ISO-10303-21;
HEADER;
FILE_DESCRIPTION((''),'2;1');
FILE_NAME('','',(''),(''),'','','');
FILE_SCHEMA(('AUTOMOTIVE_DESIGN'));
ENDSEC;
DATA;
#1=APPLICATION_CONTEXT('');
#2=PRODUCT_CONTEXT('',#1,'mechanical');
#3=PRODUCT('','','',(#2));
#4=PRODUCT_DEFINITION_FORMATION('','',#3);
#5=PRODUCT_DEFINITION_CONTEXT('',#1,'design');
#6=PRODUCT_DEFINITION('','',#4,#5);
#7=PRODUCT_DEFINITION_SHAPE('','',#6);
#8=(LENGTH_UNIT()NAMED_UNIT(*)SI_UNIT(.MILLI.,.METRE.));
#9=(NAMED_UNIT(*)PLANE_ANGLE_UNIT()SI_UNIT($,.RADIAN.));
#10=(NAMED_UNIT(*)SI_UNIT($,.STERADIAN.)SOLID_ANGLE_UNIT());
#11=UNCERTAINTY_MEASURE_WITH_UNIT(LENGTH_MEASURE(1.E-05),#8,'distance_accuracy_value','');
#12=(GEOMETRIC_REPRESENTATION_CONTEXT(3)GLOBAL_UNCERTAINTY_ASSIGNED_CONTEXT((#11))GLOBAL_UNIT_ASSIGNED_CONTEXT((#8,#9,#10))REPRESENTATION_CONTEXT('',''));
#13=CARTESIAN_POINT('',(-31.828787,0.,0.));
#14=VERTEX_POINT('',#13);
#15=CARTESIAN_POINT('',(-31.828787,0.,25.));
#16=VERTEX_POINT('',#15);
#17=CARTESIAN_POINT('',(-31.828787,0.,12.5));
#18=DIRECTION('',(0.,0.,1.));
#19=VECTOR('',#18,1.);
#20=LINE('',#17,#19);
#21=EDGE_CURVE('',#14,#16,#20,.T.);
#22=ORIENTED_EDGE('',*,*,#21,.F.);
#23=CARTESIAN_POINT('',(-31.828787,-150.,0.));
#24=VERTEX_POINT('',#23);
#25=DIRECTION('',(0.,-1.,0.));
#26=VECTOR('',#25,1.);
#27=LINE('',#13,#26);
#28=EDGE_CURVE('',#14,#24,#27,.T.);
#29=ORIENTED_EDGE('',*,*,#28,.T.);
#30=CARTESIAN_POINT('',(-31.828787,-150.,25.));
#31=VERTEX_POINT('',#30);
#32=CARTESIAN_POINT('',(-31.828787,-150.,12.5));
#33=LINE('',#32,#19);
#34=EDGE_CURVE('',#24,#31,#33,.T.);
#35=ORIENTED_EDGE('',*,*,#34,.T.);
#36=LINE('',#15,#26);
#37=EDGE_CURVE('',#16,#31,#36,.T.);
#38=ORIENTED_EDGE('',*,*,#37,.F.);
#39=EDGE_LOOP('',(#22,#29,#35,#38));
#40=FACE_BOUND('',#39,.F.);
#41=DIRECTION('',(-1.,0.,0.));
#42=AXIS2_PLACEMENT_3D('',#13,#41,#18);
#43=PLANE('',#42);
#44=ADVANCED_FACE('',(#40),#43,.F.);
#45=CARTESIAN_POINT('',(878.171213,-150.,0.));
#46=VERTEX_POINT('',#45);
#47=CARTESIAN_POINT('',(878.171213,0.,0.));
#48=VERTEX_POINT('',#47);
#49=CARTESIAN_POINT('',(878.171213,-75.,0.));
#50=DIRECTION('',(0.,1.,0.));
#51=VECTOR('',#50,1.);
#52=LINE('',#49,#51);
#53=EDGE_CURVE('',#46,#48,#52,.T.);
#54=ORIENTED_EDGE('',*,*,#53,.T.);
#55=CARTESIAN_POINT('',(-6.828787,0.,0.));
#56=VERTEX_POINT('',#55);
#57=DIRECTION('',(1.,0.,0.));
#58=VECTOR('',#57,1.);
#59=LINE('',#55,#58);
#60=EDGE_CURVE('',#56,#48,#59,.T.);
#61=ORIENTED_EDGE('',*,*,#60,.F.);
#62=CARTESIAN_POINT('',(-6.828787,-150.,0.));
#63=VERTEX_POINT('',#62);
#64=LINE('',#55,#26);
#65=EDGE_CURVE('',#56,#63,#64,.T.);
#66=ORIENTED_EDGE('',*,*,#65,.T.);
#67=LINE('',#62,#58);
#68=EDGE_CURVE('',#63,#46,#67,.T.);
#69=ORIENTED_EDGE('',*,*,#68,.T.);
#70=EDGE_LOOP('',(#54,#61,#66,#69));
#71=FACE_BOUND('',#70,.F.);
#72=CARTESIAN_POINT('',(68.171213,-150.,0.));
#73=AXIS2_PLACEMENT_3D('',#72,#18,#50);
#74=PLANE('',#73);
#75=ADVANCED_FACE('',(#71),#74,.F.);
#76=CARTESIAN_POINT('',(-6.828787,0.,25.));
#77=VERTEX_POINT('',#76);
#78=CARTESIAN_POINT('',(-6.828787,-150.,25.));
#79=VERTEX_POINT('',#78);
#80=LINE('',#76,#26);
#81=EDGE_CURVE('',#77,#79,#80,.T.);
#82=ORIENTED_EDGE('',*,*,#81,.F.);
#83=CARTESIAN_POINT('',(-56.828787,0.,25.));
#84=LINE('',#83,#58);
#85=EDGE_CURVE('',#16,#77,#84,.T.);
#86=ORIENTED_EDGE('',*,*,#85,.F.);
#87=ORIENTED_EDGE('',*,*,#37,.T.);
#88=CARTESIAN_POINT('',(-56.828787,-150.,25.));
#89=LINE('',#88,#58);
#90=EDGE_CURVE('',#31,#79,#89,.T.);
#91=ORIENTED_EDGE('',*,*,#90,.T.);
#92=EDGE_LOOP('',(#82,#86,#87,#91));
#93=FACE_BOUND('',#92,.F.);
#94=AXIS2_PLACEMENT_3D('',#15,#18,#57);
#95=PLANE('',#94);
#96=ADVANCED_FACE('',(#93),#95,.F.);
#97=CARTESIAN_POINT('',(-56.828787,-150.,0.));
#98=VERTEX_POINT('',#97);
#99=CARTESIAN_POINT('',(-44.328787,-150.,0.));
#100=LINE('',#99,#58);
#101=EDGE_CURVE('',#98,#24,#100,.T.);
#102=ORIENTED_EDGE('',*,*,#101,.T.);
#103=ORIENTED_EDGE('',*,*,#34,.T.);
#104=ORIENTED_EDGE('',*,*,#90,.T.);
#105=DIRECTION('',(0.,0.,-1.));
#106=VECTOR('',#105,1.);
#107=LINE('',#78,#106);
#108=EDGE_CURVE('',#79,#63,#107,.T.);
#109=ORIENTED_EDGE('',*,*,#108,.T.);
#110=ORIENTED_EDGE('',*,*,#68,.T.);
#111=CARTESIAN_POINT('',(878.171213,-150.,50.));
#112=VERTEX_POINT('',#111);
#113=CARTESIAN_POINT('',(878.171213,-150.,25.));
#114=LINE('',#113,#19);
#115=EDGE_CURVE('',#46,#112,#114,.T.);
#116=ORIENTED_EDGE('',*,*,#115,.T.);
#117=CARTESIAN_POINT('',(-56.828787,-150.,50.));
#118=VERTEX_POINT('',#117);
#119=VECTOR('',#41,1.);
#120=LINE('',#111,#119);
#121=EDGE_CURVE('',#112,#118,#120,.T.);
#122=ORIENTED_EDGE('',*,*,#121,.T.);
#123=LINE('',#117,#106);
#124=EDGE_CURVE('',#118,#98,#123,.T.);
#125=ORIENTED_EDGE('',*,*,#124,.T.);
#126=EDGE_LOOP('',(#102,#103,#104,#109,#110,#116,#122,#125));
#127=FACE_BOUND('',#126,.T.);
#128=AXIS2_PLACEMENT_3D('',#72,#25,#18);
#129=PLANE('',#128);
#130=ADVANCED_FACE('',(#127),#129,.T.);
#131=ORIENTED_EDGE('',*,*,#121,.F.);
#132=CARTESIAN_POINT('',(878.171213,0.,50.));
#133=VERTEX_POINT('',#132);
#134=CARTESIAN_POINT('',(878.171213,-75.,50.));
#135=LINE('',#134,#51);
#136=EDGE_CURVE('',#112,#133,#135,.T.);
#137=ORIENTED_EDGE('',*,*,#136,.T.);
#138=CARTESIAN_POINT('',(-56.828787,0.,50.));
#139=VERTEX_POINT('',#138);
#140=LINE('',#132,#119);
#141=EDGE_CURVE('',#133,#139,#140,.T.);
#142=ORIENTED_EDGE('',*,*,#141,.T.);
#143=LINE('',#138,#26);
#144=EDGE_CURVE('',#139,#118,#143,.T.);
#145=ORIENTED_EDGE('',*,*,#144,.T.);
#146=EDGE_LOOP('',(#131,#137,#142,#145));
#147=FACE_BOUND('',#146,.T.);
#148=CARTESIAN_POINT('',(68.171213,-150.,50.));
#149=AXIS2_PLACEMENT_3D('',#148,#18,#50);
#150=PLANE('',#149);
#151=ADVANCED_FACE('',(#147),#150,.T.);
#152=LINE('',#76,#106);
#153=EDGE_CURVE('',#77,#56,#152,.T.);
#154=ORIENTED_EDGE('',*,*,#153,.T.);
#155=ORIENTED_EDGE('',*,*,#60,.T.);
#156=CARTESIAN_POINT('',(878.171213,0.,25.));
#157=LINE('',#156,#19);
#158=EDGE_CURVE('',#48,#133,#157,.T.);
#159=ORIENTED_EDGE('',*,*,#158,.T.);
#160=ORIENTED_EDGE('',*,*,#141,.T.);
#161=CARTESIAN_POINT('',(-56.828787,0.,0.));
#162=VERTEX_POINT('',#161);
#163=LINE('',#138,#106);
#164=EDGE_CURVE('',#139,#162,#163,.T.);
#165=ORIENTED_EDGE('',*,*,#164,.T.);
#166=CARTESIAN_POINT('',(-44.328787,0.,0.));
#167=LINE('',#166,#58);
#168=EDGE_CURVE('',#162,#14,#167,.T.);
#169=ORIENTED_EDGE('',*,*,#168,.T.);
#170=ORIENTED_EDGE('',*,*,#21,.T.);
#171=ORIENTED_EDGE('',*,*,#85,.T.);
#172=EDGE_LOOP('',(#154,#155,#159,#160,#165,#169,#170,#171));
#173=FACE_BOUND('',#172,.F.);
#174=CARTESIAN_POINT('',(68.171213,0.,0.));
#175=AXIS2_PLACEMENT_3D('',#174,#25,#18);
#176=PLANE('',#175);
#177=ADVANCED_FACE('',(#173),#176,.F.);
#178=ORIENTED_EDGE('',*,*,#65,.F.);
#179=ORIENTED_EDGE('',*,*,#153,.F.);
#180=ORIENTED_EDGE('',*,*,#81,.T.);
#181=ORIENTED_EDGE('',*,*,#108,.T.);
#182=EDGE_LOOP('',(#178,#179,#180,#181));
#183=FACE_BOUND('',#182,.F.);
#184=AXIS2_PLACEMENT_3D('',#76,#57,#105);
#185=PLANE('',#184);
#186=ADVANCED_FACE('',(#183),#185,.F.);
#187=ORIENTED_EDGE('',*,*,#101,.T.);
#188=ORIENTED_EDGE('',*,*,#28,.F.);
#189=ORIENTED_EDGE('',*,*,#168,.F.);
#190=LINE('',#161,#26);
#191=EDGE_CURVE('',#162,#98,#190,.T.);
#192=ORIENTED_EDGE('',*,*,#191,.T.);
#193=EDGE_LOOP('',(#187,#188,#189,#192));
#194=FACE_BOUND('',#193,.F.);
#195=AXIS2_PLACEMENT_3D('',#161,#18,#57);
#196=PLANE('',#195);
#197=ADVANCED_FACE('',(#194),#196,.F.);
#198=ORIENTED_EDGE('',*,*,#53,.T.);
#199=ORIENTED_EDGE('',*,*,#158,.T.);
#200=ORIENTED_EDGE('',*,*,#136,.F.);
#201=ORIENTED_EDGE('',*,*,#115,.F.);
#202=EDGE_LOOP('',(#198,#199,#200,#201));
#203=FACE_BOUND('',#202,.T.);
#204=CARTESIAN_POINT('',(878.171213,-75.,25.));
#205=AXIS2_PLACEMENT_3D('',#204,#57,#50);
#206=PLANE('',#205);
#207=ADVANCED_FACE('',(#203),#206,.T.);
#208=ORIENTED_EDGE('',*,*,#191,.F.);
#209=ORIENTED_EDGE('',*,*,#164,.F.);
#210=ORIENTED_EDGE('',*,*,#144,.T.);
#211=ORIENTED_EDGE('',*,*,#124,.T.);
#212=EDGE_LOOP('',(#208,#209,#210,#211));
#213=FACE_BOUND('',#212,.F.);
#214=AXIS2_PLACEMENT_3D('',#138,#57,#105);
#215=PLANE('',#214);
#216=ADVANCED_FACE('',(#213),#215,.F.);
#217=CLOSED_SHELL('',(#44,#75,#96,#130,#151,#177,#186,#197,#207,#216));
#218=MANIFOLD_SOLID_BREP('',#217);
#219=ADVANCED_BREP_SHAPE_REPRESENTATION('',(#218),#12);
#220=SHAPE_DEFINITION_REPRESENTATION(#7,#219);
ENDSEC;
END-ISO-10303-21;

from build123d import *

# Parameters (mm, degrees)
F0_W     = 25
F0_H     = 25
F1_DEPTH = 150
F2_DEPTH = 150
F3_W     = 150
F3_H     = 50
F4_DEPTH = 810


with BuildPart() as f1:
    # F0 (on Front) → F1 (new body)
    with BuildSketch(Plane.XZ):
        Polygon((68.171213, 0), (68.171213, 50), (-31.828787, 50), (-31.828787, 25), (-6.828787, 25), (-6.828787, 0), align=None)
        with Locations((-44.328787, 37.5)):
            Rectangle(F0_W, F0_H)
        with Locations((-44.328787, 12.5)):
            Rectangle(F0_W, F0_H)
    extrude(amount=F1_DEPTH)

    # F0 (on Front) → F2 (join)
    with BuildSketch(Plane.XZ):
        Polygon((68.171213, 0), (68.171213, 50), (-31.828787, 50), (-31.828787, 25), (-6.828787, 25), (-6.828787, 0), align=None)
        with Locations((-44.328787, 37.5)):
            Rectangle(F0_W, F0_H)
        with Locations((-44.328787, 12.5)):
            Rectangle(F0_W, F0_H)
    extrude(amount=F2_DEPTH)

    # F3 (on face) → F4 (join)
    with BuildSketch(Plane.YZ.offset(68.171213)):
        with Locations((-75, 25)):
            Rectangle(F3_W, F3_H)
    extrude(amount=F4_DEPTH)


solid = f1.part
